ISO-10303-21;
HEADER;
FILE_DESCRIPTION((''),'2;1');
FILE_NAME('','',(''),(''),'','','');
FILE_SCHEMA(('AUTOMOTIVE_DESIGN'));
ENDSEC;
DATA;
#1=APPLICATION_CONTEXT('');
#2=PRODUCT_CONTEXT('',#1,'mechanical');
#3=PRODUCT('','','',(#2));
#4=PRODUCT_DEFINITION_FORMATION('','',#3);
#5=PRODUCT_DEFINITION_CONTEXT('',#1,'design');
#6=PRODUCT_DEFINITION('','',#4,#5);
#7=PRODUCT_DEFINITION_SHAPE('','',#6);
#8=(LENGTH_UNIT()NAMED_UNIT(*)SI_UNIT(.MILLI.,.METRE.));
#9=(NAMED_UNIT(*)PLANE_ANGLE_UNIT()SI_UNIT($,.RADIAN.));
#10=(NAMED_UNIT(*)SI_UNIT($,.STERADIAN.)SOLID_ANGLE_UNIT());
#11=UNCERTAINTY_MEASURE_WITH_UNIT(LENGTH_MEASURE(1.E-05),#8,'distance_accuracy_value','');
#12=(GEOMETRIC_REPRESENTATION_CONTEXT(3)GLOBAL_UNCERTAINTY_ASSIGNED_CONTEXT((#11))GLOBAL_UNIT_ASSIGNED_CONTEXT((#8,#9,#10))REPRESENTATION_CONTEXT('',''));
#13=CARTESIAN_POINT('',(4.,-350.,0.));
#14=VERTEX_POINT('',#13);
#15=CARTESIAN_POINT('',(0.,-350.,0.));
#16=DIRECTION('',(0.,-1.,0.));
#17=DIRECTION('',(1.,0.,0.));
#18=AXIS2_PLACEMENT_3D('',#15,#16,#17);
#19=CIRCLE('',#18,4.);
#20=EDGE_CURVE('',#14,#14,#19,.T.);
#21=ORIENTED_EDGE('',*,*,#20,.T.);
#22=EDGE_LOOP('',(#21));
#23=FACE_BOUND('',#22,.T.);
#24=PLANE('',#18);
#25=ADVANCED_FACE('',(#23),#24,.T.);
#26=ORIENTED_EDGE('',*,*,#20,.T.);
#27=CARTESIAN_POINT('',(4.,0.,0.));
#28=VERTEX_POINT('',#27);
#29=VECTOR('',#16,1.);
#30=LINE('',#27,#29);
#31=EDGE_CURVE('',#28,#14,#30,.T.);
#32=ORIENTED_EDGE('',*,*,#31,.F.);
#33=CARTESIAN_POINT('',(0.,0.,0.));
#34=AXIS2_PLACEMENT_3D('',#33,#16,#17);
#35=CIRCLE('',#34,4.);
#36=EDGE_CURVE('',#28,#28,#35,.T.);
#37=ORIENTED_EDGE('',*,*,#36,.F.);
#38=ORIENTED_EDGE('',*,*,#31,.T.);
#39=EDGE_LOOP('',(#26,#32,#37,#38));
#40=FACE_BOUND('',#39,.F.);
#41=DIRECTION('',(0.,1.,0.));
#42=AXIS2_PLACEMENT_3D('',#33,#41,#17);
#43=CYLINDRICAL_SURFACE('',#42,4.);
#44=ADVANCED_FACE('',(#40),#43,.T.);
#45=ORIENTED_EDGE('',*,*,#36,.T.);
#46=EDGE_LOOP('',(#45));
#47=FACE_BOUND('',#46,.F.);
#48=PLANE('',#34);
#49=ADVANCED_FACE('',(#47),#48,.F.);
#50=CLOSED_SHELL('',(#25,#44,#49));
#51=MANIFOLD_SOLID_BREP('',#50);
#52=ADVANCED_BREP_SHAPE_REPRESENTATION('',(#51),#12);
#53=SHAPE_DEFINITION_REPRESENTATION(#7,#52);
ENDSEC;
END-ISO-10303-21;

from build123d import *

# Parameters (mm, degrees)
SKETCH_R  = 4
PAD_DEPTH = 350


with BuildPart() as part:
    # Sketch → Pad (new body)
    with BuildSketch(Plane.XZ):
        Circle(SKETCH_R)
    extrude(amount=PAD_DEPTH)


solid = part.part
